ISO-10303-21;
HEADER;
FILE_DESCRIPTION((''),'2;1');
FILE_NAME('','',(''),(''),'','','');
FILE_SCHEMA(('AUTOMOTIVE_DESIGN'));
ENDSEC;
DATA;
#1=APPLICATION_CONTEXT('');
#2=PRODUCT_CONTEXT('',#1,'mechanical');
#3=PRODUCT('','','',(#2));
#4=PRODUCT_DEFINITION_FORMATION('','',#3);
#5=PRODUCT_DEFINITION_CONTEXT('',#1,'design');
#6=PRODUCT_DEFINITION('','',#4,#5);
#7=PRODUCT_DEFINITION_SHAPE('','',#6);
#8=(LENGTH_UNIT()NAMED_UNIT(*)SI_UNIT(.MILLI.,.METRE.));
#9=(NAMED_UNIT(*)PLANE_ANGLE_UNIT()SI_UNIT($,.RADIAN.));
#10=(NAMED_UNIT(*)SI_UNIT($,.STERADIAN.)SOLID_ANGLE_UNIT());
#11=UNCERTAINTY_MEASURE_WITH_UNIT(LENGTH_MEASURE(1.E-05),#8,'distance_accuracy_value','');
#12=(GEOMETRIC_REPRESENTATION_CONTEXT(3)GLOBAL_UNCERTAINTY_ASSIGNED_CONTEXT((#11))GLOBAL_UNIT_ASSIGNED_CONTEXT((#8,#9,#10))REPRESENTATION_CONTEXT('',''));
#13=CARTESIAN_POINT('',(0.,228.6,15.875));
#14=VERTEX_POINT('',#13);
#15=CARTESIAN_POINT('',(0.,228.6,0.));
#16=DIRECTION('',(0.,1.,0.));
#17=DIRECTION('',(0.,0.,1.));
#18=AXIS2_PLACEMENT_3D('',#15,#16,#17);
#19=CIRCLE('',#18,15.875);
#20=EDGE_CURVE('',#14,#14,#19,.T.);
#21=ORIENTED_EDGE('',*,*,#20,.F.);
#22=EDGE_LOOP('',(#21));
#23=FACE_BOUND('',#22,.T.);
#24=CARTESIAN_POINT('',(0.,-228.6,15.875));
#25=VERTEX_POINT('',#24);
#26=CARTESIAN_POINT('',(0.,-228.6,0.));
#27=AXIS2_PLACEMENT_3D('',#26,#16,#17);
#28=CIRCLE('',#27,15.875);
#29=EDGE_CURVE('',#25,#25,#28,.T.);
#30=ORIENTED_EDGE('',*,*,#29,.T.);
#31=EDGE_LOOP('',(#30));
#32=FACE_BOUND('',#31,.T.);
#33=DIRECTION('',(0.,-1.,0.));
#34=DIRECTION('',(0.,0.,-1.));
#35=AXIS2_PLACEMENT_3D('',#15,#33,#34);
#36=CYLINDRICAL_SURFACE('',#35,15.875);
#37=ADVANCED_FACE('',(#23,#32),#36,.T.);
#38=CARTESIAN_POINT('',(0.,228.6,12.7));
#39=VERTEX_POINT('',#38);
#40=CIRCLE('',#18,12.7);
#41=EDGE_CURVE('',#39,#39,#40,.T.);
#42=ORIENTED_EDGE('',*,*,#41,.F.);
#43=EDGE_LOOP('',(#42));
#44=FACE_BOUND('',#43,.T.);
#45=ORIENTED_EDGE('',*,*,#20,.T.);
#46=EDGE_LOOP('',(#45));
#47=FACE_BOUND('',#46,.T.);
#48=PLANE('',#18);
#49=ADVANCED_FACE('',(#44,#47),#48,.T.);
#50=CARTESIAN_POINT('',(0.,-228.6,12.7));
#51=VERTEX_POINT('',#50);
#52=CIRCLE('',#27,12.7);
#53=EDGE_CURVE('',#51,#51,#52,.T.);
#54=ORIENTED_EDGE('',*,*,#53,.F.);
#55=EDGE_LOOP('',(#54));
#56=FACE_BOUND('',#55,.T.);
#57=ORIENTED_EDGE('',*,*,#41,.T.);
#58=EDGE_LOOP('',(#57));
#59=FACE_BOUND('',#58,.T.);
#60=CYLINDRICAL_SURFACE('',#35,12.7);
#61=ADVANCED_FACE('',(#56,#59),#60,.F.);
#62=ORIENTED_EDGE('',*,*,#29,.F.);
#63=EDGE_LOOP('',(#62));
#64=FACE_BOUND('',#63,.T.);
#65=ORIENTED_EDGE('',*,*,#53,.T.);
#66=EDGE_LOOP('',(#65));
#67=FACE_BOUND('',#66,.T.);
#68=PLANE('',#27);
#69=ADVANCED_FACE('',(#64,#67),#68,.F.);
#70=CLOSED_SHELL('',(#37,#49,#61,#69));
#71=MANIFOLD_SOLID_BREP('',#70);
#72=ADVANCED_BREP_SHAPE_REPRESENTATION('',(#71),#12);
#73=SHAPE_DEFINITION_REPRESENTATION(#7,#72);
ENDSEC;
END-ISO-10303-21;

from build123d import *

# Parameters (mm, degrees)
SKETCH1_R           = 15.875
SKETCH1_R_2         = 12.7
BOSS_EXTRUDE1_DEPTH = 228.6


with BuildPart() as part:
    # Sketch1 → Boss-Extrude1 (new, symmetric)
    with BuildSketch(Plane(origin=(0, 0, 0), x_dir=(1, 0, 0), z_dir=(0, 1, 0))):
        with Locations(Location((0, 0, 0), (0, 0, 270))):
            Circle(SKETCH1_R)
        with Locations(Location((0, 0, 0), (0, 0, 270))):
            Circle(SKETCH1_R_2, mode=Mode.SUBTRACT)
    extrude(amount=BOSS_EXTRUDE1_DEPTH, both=True)


solid = part.part
